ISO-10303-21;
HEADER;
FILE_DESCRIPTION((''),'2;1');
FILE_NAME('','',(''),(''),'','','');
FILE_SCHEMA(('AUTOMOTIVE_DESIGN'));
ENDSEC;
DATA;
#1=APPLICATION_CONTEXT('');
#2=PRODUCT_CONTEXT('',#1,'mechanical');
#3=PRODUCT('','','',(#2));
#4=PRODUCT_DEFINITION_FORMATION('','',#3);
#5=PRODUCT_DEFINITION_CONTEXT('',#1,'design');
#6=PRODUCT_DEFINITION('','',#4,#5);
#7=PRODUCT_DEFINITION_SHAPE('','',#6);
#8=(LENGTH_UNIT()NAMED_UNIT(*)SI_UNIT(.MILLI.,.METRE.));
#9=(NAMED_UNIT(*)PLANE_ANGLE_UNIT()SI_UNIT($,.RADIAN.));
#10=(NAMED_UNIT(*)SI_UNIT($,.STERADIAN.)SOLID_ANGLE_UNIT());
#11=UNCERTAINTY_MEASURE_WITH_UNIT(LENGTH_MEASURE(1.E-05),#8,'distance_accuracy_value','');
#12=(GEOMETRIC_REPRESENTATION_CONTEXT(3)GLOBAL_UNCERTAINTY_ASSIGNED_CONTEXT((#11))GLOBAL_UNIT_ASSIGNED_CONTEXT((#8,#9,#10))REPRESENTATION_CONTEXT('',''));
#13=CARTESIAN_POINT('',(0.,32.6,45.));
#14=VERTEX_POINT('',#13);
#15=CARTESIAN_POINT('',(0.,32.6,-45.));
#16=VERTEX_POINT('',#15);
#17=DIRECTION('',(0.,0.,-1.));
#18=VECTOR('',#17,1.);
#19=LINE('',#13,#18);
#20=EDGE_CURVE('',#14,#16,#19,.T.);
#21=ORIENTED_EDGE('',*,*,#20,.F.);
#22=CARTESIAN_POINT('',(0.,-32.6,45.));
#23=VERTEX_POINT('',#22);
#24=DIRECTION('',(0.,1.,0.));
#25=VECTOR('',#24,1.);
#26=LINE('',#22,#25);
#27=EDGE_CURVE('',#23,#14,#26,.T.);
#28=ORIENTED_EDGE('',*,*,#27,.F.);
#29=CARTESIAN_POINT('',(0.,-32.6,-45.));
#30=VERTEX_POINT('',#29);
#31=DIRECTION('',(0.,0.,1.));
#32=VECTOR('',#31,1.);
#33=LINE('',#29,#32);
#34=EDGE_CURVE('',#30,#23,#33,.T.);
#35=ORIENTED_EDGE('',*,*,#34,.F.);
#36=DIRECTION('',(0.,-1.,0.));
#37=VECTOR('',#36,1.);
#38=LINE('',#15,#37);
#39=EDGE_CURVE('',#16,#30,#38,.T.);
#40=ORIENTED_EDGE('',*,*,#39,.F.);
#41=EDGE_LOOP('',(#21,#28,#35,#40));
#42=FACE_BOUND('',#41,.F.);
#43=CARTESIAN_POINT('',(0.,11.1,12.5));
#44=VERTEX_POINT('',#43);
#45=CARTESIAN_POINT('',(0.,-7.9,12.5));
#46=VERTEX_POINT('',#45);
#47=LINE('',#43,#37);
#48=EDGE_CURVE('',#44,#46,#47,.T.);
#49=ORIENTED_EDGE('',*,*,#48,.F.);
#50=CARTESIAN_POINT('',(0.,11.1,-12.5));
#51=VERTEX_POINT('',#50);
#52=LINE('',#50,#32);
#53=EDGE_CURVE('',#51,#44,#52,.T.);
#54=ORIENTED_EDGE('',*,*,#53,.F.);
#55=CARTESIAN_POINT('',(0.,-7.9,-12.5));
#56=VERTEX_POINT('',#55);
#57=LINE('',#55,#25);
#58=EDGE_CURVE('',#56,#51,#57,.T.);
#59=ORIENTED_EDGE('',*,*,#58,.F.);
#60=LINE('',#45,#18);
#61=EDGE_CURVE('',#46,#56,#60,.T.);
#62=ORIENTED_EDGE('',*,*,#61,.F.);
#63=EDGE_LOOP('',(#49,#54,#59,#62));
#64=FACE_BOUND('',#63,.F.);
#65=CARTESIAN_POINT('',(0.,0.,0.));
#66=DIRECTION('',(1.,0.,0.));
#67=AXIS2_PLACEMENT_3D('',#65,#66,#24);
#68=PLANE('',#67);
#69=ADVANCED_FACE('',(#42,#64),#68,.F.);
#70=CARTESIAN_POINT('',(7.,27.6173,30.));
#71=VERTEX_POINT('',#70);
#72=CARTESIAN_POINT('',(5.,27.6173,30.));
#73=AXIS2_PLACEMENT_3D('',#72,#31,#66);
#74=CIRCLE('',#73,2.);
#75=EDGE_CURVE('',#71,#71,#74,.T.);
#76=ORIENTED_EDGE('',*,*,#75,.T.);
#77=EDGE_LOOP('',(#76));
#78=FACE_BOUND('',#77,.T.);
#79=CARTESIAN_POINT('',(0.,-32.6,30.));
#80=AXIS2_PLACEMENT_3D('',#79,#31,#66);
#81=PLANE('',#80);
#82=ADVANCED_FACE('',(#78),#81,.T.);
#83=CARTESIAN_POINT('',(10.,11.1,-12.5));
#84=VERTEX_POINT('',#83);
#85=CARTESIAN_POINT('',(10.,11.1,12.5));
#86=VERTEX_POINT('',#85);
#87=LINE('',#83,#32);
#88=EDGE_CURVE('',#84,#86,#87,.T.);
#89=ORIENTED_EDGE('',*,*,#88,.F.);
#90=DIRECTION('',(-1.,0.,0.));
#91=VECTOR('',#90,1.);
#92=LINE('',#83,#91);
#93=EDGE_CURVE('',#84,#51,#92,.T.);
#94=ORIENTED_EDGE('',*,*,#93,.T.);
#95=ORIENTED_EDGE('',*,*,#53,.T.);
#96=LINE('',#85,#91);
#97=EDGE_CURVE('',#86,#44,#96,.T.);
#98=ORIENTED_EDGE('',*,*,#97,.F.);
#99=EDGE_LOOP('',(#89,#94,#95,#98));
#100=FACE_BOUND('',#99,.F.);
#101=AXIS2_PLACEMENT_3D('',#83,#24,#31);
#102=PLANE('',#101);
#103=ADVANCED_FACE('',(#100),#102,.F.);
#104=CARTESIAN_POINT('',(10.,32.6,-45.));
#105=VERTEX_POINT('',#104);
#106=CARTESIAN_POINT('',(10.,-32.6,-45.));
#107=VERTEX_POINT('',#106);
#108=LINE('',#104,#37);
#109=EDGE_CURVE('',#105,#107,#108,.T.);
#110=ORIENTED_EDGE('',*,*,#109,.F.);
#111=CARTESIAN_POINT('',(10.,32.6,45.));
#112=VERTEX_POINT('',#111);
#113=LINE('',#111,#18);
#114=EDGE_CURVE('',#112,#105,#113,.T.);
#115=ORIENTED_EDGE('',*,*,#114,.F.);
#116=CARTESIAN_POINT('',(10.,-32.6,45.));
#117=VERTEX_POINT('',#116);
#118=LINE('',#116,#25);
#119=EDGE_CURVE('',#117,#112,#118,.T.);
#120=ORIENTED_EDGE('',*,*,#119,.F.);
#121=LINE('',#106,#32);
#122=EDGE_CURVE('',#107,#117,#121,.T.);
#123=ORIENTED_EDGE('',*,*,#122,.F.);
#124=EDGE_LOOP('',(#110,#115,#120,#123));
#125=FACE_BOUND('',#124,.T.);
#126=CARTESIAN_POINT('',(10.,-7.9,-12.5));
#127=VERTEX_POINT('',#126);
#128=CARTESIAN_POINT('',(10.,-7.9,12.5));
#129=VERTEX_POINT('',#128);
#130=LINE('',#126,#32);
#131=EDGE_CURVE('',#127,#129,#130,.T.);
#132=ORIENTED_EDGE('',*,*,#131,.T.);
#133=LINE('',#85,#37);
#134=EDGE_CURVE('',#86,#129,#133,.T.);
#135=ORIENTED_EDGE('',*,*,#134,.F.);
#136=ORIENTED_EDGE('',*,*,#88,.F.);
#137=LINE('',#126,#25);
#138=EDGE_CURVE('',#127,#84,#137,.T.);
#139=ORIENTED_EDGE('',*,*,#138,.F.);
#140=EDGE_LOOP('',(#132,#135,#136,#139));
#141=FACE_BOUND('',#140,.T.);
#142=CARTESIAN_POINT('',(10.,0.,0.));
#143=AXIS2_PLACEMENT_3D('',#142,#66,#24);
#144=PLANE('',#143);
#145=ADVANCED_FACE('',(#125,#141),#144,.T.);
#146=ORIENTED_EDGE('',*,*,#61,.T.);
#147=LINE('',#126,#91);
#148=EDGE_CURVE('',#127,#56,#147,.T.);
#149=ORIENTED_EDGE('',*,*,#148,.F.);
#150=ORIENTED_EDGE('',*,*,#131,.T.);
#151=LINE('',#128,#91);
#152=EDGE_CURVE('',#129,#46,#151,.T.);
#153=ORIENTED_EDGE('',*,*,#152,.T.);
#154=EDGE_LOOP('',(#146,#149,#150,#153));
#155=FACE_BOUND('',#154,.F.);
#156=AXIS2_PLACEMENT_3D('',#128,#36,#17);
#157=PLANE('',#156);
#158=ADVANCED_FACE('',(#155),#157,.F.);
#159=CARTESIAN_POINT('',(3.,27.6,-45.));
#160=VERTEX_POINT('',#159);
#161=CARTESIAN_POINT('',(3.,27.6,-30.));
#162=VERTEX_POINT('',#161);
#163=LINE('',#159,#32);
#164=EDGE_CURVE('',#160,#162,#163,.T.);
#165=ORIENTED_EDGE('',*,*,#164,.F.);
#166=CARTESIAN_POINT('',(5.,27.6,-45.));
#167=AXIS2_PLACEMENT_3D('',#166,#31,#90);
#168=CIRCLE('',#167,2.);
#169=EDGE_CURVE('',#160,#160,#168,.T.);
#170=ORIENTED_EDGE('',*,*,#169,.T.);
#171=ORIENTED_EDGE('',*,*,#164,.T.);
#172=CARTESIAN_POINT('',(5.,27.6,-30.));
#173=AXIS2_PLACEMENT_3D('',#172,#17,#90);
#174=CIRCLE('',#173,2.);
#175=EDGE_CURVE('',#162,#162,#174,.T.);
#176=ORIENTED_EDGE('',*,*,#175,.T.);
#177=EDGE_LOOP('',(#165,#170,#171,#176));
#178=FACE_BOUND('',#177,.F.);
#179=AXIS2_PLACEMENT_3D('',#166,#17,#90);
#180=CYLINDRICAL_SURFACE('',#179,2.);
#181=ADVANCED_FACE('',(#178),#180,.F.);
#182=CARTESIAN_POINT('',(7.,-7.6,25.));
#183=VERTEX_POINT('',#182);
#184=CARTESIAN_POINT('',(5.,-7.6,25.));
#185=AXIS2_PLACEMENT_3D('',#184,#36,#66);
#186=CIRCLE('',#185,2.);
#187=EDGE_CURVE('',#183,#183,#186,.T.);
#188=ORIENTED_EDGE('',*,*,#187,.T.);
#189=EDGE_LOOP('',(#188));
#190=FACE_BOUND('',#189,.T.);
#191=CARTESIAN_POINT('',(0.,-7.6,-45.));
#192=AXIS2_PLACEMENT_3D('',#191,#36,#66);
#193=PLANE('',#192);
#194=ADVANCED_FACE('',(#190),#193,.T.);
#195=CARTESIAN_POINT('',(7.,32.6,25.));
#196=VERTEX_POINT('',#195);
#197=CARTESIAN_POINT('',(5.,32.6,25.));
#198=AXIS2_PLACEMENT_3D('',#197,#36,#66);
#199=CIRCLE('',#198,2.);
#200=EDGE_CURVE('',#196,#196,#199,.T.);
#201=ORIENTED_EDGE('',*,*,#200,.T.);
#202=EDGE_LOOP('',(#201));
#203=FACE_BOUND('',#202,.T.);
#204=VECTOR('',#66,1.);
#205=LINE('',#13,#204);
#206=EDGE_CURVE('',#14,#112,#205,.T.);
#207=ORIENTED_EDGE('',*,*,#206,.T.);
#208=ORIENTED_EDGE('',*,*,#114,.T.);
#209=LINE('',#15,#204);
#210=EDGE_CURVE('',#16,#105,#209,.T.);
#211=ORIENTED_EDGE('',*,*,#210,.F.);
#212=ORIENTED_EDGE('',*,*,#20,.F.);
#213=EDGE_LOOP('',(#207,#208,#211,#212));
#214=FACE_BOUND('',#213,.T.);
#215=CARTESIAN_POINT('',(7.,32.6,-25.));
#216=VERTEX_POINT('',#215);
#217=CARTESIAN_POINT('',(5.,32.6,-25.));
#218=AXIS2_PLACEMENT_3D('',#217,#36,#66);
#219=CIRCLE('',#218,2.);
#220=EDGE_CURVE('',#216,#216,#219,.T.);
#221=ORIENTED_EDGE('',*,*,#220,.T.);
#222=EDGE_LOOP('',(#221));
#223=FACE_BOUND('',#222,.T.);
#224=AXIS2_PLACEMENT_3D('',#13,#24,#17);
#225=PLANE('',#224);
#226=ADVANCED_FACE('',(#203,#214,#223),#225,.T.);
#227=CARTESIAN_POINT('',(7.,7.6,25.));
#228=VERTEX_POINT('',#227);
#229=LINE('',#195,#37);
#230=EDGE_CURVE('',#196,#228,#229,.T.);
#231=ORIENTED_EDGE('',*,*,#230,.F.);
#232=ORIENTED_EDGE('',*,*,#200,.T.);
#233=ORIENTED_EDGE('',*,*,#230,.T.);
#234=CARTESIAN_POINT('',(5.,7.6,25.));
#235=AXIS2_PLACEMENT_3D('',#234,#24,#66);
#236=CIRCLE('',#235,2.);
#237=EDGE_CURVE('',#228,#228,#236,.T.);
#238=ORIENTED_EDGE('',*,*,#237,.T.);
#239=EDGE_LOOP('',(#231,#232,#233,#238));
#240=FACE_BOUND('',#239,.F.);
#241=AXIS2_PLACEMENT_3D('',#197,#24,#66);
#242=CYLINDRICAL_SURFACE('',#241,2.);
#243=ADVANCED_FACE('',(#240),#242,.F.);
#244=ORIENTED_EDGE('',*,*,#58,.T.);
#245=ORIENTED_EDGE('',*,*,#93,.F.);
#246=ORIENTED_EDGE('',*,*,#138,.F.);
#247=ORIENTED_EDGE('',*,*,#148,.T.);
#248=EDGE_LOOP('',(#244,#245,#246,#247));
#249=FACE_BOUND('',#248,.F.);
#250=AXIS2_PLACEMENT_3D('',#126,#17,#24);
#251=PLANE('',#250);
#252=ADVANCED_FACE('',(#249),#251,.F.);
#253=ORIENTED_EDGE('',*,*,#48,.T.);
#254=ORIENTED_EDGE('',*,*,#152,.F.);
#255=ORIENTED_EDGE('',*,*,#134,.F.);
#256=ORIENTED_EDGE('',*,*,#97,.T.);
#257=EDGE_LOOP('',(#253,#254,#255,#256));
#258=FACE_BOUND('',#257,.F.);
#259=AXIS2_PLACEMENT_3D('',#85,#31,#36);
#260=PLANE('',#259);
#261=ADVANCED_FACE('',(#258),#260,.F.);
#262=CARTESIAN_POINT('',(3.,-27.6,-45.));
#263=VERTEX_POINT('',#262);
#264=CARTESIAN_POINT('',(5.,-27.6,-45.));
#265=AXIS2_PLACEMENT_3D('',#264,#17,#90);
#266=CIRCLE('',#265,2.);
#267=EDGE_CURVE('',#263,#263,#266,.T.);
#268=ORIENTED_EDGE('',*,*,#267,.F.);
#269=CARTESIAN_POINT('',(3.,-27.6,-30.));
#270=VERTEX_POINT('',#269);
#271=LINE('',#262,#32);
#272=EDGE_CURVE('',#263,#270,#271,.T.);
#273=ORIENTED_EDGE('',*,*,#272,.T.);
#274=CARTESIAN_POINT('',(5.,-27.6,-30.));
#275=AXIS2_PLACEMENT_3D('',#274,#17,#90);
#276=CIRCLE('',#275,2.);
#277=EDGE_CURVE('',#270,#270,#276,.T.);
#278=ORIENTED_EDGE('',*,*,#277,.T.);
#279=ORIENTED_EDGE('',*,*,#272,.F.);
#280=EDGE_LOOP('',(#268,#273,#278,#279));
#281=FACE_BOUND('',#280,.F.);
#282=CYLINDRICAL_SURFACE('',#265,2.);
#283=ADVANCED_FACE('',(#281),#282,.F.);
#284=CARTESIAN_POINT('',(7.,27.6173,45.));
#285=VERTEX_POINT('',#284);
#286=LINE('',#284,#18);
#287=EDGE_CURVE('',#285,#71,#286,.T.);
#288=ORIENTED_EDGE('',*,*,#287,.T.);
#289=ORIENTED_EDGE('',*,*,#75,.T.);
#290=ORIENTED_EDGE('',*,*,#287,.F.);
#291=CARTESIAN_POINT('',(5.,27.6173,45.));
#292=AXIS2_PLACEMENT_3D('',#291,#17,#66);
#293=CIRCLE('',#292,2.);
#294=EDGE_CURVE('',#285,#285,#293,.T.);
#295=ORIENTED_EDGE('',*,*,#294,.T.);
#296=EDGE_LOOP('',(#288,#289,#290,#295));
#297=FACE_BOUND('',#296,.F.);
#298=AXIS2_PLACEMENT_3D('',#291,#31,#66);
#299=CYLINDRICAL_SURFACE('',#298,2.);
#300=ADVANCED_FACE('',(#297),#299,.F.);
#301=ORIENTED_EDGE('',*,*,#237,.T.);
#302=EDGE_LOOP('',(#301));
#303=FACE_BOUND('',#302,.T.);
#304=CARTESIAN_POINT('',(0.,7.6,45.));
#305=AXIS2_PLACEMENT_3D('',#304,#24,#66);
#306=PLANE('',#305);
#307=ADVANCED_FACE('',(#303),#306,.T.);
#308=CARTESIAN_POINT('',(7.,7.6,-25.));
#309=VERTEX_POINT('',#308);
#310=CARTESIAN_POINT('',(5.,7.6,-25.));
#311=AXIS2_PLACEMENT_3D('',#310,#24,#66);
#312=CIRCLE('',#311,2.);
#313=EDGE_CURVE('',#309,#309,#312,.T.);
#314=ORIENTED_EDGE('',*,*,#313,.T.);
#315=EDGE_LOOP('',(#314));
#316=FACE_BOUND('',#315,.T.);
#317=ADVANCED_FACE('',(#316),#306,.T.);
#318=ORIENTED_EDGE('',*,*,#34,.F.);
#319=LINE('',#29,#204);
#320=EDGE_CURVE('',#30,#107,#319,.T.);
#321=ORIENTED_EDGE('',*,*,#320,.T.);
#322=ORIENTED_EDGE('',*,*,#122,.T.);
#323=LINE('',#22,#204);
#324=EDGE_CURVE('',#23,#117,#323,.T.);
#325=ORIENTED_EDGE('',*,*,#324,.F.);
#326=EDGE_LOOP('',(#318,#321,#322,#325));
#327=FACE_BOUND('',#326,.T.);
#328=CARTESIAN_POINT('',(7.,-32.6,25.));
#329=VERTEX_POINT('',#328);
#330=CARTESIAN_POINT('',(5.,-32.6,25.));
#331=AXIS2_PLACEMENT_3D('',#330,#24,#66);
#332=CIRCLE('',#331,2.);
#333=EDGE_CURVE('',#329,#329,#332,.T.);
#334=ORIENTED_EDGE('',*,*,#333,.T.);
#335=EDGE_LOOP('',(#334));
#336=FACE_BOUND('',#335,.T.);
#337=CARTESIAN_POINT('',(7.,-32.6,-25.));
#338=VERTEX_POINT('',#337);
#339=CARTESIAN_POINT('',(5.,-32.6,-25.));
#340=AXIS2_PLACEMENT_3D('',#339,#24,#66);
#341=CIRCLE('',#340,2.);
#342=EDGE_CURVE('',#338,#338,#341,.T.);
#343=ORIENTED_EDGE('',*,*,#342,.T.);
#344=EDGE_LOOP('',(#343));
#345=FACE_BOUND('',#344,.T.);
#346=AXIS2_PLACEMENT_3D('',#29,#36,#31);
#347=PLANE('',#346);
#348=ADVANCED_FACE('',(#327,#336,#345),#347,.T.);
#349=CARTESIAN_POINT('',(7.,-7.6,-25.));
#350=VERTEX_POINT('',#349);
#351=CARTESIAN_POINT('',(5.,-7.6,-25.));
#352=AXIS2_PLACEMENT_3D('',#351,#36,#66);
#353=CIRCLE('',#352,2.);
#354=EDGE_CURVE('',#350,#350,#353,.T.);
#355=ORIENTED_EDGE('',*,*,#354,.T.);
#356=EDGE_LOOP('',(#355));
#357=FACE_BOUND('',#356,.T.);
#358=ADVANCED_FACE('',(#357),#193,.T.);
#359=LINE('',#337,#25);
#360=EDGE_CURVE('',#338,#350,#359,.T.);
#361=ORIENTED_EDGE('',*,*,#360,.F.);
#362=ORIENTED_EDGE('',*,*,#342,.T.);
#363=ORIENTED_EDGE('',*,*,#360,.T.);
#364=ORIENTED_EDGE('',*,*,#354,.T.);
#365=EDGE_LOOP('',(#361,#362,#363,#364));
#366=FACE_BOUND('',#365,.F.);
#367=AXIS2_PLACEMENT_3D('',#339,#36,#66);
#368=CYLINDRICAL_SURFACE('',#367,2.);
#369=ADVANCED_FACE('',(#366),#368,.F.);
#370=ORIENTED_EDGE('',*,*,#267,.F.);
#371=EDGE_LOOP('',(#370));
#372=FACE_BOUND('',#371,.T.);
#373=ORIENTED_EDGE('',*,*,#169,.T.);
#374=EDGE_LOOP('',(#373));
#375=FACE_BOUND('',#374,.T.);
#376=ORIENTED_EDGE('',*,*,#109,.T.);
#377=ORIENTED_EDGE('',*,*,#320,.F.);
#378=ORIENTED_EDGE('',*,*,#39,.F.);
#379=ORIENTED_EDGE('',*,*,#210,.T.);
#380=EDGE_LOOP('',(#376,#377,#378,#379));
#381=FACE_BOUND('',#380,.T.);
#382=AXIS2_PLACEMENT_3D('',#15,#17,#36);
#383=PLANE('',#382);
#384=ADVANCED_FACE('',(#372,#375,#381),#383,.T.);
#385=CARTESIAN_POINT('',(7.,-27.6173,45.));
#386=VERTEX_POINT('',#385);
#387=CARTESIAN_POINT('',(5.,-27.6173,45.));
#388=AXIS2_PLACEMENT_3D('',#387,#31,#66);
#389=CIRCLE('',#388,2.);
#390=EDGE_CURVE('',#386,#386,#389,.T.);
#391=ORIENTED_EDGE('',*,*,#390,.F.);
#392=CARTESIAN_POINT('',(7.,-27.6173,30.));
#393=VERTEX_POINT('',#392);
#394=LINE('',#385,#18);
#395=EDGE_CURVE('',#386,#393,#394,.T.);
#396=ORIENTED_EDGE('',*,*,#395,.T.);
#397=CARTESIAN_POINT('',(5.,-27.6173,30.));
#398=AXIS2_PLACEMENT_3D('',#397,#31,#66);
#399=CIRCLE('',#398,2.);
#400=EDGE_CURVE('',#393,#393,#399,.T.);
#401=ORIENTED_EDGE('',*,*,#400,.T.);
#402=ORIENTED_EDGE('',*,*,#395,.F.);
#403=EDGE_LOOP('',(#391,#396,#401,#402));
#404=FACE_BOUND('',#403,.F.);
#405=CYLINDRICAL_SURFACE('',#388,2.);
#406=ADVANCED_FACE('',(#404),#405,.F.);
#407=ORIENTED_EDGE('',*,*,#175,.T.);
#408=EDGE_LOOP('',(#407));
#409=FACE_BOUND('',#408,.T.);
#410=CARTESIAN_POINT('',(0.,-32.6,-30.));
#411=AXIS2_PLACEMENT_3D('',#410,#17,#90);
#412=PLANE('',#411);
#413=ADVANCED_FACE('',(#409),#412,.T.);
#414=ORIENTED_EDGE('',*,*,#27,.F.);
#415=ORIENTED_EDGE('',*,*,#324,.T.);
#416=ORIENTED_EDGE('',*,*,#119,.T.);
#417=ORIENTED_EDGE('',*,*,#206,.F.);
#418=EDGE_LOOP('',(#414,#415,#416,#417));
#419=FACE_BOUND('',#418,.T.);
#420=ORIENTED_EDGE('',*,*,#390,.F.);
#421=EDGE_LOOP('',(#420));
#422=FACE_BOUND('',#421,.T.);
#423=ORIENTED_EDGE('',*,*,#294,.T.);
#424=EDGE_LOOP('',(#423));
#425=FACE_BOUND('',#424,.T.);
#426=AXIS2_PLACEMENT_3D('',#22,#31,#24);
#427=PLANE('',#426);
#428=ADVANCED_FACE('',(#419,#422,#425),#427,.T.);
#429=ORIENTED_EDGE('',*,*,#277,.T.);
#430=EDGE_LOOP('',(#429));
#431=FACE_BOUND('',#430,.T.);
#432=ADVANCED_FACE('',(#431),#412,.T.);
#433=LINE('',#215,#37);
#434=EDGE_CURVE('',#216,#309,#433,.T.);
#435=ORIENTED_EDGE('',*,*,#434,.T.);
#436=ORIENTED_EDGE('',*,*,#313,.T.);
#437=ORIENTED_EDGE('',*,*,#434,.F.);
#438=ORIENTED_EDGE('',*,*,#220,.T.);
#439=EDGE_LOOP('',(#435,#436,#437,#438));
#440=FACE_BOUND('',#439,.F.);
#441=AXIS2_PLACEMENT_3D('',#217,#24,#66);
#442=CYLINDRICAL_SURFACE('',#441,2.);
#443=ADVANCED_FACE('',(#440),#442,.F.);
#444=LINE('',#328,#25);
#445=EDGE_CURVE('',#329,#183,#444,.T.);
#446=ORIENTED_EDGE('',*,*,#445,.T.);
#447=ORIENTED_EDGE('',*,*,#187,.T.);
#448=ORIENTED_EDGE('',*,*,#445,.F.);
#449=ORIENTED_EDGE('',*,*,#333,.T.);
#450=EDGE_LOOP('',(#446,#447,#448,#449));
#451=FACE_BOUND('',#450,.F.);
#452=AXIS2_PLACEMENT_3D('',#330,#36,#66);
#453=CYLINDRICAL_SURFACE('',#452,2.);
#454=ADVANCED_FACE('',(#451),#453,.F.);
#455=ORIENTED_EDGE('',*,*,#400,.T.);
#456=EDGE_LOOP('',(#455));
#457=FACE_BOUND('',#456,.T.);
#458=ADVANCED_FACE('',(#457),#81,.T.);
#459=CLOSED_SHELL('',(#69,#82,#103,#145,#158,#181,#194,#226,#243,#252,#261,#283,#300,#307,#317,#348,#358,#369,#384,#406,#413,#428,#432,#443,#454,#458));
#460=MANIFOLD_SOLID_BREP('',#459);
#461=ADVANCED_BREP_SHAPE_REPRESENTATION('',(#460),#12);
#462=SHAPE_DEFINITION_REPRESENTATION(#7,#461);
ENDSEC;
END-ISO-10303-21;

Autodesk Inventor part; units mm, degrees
ref_plane "YZ Plane" through (0, 0, 0) normal (1, 0, 0) x (0, 1, 0)
ref_plane "XZ Plane" through (0, 0, 0) normal (0, 1, 0) x (-1, 0, 0)
ref_plane "XY Plane" through (0, 0, 0) normal (0, 0, 1) x (1, 0, 0)
sketch "Sketch1" plane through (0, 0, 0) normal (1, 0, 0) x (0, 1, 0)
  line L0 (-32.6, 45) -> (32.6, 45)
  line L1 (32.6, 45) -> (32.6, -45)
  line L2 (32.6, -45) -> (-32.6, -45)
  line L3 (-32.6, -45) -> (-32.6, 45)
  line L4 (-32.6, 45) -> (32.6, -45) construction
  line L5 (32.6, 45) -> (-32.6, -45) construction
  point P0 (0, 0)
  dimension "d0" = 65.2
  dimension "d1" = 90
extrude "Extrusion1" add sketch "Sketch1" along normal blind 10
sketch "Sketch2" plane through (0, 32.6, 45) normal (0, 1, 0) x (1, 0, 0)
  line L0 (0, 0) -> (10, 0) projected
  line L1 (0, 0) -> (5, 0)
  line L2 (5, 0) -> (5, 20)
  circle A0 centre (5, 20) radius 2
  line L3 (0, 45) -> (10, 45)
  line L4 (0, 90) -> (10, 90)
  line L5 (0, 90) -> (5, 90)
  line L6 (5, 90) -> (5, 70)
  circle A1 centre (5, 70) radius 2
  dimension "d4" = 5
  dimension "d5" = 20
  dimension "d6" = 4
extrude "Extrusion2" cut sketch "Sketch2" against normal blind 25
thread "Thread1" size "M4x0.7" class "6H" standard "ANSI Metric M Profile" full length
thread "Thread2" size "M4x0.7" class "6H" standard "ANSI Metric M Profile" full length
sketch "Sketch3" plane through (0, -32.6, -45) normal (0, -1, 0) x (1, 0, 0)
  line L0 (0, 45) -> (9.9068, 45)
  line L1 (10, 0) -> (10, 90) projected
  line L2 (10, 90) -> (5, 90)
  line L3 (0, 90) -> (10, 90) projected
  line L4 (5, 90) -> (5, 70)
  circle A0 centre (5, 70) radius 2
  line L5 (10, 0) -> (5, 0)
  line L6 (0, 0) -> (10, 0)
  line L7 (5, 0) -> (5, 20)
  circle A1 centre (5, 20) radius 2
  dimension "d13" = 5
  dimension "d14" = 20
  dimension "d15" = 4
extrude "Extrusion3" cut sketch "Sketch3" against normal blind 25
thread "Thread3" size "M4x0.7" class "6H" standard "ANSI Metric M Profile" full length
thread "Thread4" size "M4x0.7" class "6H" standard "ANSI Metric M Profile" full length
sketch "Sketch6" plane through (10, 0, 0) normal (1, 0, 0) x (0, 0, -1)
  line L0 (-45, -32.6) -> (45, -32.6) projected
  line L1 (0, -32.6) -> (0, 1.6)
  line L2 (-12.5, -7.9) -> (12.5, -7.9)
  line L3 (12.5, -7.9) -> (12.5, 11.1)
  line L4 (12.5, 11.1) -> (-12.5, 11.1)
  line L5 (-12.5, 11.1) -> (-12.5, -7.9)
  line L6 (-12.5, -7.9) -> (12.5, 11.1) construction
  line L7 (12.5, -7.9) -> (-12.5, 11.1) construction
  line L8 (45, 32.6) -> (-45, 32.6) projected
  point P0 (0, 0)
  dimension "d29" = 34.2
  dimension "d30" = 25
  dimension "d31" = 19
extrude "Extrusion6" cut sketch "Sketch6" against normal blind 10
sketch "Sketch10" plane through (10, 0, 0) normal (1, 0, 0) x (0, 0, -1)
  circle A0 centre (-27.5, 25.1) radius 2.5 projected
sketch "Sketch11" plane through (0, 0, 0) normal (-1, 0, 0) x (0, 0, 1)
  circle A0 centre (27.5, 25.1) radius 2.5 projected
sketch "Sketch12" plane through (0, -32.6, 45) normal (0, 0, 1) x (1, 0, 0)
  line L0 (0, 65.2173) -> (5, 65.2173)
  line L1 (5, 65.2173) -> (5, 60.2173)
  line L2 (0, 32.6) -> (10, 32.6)
  line L3 (10, 0) -> (10, 65.2) projected
  circle A0 centre (5, 60.2173) radius 2
  circle A1 centre (5, 4.9827) radius 2
  dimension "d46" = 5
  dimension "d47" = 5
  dimension "d48" = 4
extrude "Extrusion9" cut sketch "Sketch12" against normal blind 15
sketch "Sketch13" plane through (10, 0, 0) normal (1, 0, 0) x (0, 0, -1)
  point P0 (0, 0)
sketch "Sketch14" plane through (0, -32.6, -45) normal (0, 0, -1) x (-1, 0, 0)
  line L0 (0, 65.2) -> (-10, 65.2) projected
  line L1 (-10, 65.2) -> (-5, 65.2)
  line L2 (-5, 65.2) -> (-5, 60.2)
  circle A0 centre (-5, 60.2) radius 2
  line L3 (0, 32.6) -> (-10, 32.6)
  line L4 (-10, 43.7) -> (-10, 24.7) projected
  circle A1 centre (-5, 5) radius 2
  dimension "d51" = 5
  dimension "d52" = 5
  dimension "d53" = 4
extrude "Extrusion10" cut sketch "Sketch14" against normal blind 15
thread "Thread5" size "M4x0.7" class "6H" standard "ANSI Metric M Profile" full length
thread "Thread6" size "M4x0.7" class "6H" standard "ANSI Metric M Profile" full length
thread "Thread7" size "M4x0.7" class "6H" standard "ANSI Metric M Profile" full length
thread "Thread8" size "M4x0.7" class "6H" standard "ANSI Metric M Profile" full length
properties part number "Rb PEEK - Largo"
